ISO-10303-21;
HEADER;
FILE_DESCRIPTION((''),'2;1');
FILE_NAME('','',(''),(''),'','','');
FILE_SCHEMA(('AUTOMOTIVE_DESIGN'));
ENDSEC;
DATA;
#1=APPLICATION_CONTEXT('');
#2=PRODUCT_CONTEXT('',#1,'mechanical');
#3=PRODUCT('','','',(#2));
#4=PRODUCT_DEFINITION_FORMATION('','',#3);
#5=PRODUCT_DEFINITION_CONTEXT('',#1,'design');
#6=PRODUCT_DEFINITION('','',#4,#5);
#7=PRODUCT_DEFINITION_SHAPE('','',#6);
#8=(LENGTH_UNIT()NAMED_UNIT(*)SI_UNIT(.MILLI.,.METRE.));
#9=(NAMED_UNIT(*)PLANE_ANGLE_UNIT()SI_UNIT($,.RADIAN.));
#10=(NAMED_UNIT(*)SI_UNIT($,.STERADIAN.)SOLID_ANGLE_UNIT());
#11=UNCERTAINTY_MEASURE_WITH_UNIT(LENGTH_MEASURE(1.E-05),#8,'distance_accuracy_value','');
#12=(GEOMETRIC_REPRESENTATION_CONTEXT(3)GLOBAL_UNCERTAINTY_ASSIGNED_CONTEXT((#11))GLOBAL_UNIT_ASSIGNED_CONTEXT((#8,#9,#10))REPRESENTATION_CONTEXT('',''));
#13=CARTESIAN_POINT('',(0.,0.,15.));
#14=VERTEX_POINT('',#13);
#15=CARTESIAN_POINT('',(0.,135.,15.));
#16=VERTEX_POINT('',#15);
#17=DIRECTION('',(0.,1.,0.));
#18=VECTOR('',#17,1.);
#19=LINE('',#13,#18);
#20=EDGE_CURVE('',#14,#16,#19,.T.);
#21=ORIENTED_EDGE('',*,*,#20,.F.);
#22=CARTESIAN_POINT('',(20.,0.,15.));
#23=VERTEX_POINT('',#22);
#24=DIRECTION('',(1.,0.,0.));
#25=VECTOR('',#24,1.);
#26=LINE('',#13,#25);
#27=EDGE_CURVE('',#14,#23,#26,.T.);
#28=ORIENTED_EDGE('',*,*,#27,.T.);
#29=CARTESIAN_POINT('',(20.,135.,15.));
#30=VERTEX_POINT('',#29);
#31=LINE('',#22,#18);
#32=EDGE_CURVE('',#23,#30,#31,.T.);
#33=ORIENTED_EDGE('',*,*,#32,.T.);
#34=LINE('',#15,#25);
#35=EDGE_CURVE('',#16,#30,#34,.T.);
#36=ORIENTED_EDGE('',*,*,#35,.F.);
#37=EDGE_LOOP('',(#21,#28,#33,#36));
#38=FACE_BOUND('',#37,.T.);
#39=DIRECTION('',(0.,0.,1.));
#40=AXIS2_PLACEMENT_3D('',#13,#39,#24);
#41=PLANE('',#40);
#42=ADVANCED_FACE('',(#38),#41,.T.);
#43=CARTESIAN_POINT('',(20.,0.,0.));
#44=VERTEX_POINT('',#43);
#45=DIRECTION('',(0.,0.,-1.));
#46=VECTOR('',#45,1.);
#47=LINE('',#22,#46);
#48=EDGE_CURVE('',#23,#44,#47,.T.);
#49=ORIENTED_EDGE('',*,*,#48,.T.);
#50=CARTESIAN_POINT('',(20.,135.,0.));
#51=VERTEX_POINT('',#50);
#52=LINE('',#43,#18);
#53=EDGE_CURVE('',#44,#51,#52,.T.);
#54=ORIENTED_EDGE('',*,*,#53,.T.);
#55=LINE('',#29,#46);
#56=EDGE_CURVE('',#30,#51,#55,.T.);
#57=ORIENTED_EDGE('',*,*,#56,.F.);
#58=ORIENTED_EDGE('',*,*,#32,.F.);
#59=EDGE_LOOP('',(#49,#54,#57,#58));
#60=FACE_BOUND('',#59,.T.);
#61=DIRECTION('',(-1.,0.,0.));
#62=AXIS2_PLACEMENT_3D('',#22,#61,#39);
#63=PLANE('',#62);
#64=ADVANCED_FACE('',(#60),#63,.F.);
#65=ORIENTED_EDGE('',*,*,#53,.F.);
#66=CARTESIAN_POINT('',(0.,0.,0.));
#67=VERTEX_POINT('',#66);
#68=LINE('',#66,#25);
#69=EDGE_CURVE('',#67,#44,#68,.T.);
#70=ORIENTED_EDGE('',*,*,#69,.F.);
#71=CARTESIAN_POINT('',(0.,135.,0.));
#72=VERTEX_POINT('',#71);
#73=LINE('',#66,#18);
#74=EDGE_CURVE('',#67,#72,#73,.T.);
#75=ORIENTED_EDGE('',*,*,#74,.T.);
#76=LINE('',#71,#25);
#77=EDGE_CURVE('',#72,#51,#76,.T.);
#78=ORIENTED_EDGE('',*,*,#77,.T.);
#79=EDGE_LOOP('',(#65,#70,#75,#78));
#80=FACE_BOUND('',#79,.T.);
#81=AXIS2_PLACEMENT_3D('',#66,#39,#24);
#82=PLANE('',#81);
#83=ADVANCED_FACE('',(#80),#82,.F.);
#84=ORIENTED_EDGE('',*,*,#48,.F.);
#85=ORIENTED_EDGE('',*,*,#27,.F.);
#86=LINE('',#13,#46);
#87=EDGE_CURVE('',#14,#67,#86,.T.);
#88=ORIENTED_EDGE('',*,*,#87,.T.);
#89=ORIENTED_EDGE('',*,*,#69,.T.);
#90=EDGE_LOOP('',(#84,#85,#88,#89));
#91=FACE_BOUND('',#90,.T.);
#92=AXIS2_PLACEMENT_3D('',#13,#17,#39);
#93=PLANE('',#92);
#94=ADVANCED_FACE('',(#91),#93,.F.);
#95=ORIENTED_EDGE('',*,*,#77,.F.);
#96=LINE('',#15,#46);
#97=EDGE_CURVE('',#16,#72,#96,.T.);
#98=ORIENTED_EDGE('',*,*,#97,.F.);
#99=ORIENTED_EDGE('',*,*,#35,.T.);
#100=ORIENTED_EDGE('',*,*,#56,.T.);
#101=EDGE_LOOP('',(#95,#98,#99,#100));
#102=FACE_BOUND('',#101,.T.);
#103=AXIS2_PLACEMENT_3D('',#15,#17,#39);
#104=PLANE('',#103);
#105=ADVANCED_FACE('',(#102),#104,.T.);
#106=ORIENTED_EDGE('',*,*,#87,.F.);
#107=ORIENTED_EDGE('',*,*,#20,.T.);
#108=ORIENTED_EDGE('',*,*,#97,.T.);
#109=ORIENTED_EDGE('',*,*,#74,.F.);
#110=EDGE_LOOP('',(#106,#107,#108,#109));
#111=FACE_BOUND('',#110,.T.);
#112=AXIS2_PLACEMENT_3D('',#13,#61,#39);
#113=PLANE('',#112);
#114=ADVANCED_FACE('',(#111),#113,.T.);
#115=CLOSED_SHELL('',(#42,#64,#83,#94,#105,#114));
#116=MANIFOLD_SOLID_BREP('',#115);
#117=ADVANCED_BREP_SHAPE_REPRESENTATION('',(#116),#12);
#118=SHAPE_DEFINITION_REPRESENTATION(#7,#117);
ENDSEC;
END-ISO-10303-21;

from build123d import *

# Parameters (mm, degrees)
SKETCH1_W           = 2
SKETCH1_H           = 13.5
BOSS_EXTRUDE1_DEPTH = 1.5
SCALE2_SCALE        = 10


with BuildPart() as part:
    # Sketch1 → Boss-Extrude1 (new body)
    with BuildSketch(Plane.XY):
        with Locations((1, 6.75)):
            Rectangle(SKETCH1_W, SKETCH1_H)
    extrude(amount=BOSS_EXTRUDE1_DEPTH)


with BuildPart() as part_1:
    # Scale2: scaled about (0, 0, 0)
    add(part.part.scale(SCALE2_SCALE))


solid = part_1.part
